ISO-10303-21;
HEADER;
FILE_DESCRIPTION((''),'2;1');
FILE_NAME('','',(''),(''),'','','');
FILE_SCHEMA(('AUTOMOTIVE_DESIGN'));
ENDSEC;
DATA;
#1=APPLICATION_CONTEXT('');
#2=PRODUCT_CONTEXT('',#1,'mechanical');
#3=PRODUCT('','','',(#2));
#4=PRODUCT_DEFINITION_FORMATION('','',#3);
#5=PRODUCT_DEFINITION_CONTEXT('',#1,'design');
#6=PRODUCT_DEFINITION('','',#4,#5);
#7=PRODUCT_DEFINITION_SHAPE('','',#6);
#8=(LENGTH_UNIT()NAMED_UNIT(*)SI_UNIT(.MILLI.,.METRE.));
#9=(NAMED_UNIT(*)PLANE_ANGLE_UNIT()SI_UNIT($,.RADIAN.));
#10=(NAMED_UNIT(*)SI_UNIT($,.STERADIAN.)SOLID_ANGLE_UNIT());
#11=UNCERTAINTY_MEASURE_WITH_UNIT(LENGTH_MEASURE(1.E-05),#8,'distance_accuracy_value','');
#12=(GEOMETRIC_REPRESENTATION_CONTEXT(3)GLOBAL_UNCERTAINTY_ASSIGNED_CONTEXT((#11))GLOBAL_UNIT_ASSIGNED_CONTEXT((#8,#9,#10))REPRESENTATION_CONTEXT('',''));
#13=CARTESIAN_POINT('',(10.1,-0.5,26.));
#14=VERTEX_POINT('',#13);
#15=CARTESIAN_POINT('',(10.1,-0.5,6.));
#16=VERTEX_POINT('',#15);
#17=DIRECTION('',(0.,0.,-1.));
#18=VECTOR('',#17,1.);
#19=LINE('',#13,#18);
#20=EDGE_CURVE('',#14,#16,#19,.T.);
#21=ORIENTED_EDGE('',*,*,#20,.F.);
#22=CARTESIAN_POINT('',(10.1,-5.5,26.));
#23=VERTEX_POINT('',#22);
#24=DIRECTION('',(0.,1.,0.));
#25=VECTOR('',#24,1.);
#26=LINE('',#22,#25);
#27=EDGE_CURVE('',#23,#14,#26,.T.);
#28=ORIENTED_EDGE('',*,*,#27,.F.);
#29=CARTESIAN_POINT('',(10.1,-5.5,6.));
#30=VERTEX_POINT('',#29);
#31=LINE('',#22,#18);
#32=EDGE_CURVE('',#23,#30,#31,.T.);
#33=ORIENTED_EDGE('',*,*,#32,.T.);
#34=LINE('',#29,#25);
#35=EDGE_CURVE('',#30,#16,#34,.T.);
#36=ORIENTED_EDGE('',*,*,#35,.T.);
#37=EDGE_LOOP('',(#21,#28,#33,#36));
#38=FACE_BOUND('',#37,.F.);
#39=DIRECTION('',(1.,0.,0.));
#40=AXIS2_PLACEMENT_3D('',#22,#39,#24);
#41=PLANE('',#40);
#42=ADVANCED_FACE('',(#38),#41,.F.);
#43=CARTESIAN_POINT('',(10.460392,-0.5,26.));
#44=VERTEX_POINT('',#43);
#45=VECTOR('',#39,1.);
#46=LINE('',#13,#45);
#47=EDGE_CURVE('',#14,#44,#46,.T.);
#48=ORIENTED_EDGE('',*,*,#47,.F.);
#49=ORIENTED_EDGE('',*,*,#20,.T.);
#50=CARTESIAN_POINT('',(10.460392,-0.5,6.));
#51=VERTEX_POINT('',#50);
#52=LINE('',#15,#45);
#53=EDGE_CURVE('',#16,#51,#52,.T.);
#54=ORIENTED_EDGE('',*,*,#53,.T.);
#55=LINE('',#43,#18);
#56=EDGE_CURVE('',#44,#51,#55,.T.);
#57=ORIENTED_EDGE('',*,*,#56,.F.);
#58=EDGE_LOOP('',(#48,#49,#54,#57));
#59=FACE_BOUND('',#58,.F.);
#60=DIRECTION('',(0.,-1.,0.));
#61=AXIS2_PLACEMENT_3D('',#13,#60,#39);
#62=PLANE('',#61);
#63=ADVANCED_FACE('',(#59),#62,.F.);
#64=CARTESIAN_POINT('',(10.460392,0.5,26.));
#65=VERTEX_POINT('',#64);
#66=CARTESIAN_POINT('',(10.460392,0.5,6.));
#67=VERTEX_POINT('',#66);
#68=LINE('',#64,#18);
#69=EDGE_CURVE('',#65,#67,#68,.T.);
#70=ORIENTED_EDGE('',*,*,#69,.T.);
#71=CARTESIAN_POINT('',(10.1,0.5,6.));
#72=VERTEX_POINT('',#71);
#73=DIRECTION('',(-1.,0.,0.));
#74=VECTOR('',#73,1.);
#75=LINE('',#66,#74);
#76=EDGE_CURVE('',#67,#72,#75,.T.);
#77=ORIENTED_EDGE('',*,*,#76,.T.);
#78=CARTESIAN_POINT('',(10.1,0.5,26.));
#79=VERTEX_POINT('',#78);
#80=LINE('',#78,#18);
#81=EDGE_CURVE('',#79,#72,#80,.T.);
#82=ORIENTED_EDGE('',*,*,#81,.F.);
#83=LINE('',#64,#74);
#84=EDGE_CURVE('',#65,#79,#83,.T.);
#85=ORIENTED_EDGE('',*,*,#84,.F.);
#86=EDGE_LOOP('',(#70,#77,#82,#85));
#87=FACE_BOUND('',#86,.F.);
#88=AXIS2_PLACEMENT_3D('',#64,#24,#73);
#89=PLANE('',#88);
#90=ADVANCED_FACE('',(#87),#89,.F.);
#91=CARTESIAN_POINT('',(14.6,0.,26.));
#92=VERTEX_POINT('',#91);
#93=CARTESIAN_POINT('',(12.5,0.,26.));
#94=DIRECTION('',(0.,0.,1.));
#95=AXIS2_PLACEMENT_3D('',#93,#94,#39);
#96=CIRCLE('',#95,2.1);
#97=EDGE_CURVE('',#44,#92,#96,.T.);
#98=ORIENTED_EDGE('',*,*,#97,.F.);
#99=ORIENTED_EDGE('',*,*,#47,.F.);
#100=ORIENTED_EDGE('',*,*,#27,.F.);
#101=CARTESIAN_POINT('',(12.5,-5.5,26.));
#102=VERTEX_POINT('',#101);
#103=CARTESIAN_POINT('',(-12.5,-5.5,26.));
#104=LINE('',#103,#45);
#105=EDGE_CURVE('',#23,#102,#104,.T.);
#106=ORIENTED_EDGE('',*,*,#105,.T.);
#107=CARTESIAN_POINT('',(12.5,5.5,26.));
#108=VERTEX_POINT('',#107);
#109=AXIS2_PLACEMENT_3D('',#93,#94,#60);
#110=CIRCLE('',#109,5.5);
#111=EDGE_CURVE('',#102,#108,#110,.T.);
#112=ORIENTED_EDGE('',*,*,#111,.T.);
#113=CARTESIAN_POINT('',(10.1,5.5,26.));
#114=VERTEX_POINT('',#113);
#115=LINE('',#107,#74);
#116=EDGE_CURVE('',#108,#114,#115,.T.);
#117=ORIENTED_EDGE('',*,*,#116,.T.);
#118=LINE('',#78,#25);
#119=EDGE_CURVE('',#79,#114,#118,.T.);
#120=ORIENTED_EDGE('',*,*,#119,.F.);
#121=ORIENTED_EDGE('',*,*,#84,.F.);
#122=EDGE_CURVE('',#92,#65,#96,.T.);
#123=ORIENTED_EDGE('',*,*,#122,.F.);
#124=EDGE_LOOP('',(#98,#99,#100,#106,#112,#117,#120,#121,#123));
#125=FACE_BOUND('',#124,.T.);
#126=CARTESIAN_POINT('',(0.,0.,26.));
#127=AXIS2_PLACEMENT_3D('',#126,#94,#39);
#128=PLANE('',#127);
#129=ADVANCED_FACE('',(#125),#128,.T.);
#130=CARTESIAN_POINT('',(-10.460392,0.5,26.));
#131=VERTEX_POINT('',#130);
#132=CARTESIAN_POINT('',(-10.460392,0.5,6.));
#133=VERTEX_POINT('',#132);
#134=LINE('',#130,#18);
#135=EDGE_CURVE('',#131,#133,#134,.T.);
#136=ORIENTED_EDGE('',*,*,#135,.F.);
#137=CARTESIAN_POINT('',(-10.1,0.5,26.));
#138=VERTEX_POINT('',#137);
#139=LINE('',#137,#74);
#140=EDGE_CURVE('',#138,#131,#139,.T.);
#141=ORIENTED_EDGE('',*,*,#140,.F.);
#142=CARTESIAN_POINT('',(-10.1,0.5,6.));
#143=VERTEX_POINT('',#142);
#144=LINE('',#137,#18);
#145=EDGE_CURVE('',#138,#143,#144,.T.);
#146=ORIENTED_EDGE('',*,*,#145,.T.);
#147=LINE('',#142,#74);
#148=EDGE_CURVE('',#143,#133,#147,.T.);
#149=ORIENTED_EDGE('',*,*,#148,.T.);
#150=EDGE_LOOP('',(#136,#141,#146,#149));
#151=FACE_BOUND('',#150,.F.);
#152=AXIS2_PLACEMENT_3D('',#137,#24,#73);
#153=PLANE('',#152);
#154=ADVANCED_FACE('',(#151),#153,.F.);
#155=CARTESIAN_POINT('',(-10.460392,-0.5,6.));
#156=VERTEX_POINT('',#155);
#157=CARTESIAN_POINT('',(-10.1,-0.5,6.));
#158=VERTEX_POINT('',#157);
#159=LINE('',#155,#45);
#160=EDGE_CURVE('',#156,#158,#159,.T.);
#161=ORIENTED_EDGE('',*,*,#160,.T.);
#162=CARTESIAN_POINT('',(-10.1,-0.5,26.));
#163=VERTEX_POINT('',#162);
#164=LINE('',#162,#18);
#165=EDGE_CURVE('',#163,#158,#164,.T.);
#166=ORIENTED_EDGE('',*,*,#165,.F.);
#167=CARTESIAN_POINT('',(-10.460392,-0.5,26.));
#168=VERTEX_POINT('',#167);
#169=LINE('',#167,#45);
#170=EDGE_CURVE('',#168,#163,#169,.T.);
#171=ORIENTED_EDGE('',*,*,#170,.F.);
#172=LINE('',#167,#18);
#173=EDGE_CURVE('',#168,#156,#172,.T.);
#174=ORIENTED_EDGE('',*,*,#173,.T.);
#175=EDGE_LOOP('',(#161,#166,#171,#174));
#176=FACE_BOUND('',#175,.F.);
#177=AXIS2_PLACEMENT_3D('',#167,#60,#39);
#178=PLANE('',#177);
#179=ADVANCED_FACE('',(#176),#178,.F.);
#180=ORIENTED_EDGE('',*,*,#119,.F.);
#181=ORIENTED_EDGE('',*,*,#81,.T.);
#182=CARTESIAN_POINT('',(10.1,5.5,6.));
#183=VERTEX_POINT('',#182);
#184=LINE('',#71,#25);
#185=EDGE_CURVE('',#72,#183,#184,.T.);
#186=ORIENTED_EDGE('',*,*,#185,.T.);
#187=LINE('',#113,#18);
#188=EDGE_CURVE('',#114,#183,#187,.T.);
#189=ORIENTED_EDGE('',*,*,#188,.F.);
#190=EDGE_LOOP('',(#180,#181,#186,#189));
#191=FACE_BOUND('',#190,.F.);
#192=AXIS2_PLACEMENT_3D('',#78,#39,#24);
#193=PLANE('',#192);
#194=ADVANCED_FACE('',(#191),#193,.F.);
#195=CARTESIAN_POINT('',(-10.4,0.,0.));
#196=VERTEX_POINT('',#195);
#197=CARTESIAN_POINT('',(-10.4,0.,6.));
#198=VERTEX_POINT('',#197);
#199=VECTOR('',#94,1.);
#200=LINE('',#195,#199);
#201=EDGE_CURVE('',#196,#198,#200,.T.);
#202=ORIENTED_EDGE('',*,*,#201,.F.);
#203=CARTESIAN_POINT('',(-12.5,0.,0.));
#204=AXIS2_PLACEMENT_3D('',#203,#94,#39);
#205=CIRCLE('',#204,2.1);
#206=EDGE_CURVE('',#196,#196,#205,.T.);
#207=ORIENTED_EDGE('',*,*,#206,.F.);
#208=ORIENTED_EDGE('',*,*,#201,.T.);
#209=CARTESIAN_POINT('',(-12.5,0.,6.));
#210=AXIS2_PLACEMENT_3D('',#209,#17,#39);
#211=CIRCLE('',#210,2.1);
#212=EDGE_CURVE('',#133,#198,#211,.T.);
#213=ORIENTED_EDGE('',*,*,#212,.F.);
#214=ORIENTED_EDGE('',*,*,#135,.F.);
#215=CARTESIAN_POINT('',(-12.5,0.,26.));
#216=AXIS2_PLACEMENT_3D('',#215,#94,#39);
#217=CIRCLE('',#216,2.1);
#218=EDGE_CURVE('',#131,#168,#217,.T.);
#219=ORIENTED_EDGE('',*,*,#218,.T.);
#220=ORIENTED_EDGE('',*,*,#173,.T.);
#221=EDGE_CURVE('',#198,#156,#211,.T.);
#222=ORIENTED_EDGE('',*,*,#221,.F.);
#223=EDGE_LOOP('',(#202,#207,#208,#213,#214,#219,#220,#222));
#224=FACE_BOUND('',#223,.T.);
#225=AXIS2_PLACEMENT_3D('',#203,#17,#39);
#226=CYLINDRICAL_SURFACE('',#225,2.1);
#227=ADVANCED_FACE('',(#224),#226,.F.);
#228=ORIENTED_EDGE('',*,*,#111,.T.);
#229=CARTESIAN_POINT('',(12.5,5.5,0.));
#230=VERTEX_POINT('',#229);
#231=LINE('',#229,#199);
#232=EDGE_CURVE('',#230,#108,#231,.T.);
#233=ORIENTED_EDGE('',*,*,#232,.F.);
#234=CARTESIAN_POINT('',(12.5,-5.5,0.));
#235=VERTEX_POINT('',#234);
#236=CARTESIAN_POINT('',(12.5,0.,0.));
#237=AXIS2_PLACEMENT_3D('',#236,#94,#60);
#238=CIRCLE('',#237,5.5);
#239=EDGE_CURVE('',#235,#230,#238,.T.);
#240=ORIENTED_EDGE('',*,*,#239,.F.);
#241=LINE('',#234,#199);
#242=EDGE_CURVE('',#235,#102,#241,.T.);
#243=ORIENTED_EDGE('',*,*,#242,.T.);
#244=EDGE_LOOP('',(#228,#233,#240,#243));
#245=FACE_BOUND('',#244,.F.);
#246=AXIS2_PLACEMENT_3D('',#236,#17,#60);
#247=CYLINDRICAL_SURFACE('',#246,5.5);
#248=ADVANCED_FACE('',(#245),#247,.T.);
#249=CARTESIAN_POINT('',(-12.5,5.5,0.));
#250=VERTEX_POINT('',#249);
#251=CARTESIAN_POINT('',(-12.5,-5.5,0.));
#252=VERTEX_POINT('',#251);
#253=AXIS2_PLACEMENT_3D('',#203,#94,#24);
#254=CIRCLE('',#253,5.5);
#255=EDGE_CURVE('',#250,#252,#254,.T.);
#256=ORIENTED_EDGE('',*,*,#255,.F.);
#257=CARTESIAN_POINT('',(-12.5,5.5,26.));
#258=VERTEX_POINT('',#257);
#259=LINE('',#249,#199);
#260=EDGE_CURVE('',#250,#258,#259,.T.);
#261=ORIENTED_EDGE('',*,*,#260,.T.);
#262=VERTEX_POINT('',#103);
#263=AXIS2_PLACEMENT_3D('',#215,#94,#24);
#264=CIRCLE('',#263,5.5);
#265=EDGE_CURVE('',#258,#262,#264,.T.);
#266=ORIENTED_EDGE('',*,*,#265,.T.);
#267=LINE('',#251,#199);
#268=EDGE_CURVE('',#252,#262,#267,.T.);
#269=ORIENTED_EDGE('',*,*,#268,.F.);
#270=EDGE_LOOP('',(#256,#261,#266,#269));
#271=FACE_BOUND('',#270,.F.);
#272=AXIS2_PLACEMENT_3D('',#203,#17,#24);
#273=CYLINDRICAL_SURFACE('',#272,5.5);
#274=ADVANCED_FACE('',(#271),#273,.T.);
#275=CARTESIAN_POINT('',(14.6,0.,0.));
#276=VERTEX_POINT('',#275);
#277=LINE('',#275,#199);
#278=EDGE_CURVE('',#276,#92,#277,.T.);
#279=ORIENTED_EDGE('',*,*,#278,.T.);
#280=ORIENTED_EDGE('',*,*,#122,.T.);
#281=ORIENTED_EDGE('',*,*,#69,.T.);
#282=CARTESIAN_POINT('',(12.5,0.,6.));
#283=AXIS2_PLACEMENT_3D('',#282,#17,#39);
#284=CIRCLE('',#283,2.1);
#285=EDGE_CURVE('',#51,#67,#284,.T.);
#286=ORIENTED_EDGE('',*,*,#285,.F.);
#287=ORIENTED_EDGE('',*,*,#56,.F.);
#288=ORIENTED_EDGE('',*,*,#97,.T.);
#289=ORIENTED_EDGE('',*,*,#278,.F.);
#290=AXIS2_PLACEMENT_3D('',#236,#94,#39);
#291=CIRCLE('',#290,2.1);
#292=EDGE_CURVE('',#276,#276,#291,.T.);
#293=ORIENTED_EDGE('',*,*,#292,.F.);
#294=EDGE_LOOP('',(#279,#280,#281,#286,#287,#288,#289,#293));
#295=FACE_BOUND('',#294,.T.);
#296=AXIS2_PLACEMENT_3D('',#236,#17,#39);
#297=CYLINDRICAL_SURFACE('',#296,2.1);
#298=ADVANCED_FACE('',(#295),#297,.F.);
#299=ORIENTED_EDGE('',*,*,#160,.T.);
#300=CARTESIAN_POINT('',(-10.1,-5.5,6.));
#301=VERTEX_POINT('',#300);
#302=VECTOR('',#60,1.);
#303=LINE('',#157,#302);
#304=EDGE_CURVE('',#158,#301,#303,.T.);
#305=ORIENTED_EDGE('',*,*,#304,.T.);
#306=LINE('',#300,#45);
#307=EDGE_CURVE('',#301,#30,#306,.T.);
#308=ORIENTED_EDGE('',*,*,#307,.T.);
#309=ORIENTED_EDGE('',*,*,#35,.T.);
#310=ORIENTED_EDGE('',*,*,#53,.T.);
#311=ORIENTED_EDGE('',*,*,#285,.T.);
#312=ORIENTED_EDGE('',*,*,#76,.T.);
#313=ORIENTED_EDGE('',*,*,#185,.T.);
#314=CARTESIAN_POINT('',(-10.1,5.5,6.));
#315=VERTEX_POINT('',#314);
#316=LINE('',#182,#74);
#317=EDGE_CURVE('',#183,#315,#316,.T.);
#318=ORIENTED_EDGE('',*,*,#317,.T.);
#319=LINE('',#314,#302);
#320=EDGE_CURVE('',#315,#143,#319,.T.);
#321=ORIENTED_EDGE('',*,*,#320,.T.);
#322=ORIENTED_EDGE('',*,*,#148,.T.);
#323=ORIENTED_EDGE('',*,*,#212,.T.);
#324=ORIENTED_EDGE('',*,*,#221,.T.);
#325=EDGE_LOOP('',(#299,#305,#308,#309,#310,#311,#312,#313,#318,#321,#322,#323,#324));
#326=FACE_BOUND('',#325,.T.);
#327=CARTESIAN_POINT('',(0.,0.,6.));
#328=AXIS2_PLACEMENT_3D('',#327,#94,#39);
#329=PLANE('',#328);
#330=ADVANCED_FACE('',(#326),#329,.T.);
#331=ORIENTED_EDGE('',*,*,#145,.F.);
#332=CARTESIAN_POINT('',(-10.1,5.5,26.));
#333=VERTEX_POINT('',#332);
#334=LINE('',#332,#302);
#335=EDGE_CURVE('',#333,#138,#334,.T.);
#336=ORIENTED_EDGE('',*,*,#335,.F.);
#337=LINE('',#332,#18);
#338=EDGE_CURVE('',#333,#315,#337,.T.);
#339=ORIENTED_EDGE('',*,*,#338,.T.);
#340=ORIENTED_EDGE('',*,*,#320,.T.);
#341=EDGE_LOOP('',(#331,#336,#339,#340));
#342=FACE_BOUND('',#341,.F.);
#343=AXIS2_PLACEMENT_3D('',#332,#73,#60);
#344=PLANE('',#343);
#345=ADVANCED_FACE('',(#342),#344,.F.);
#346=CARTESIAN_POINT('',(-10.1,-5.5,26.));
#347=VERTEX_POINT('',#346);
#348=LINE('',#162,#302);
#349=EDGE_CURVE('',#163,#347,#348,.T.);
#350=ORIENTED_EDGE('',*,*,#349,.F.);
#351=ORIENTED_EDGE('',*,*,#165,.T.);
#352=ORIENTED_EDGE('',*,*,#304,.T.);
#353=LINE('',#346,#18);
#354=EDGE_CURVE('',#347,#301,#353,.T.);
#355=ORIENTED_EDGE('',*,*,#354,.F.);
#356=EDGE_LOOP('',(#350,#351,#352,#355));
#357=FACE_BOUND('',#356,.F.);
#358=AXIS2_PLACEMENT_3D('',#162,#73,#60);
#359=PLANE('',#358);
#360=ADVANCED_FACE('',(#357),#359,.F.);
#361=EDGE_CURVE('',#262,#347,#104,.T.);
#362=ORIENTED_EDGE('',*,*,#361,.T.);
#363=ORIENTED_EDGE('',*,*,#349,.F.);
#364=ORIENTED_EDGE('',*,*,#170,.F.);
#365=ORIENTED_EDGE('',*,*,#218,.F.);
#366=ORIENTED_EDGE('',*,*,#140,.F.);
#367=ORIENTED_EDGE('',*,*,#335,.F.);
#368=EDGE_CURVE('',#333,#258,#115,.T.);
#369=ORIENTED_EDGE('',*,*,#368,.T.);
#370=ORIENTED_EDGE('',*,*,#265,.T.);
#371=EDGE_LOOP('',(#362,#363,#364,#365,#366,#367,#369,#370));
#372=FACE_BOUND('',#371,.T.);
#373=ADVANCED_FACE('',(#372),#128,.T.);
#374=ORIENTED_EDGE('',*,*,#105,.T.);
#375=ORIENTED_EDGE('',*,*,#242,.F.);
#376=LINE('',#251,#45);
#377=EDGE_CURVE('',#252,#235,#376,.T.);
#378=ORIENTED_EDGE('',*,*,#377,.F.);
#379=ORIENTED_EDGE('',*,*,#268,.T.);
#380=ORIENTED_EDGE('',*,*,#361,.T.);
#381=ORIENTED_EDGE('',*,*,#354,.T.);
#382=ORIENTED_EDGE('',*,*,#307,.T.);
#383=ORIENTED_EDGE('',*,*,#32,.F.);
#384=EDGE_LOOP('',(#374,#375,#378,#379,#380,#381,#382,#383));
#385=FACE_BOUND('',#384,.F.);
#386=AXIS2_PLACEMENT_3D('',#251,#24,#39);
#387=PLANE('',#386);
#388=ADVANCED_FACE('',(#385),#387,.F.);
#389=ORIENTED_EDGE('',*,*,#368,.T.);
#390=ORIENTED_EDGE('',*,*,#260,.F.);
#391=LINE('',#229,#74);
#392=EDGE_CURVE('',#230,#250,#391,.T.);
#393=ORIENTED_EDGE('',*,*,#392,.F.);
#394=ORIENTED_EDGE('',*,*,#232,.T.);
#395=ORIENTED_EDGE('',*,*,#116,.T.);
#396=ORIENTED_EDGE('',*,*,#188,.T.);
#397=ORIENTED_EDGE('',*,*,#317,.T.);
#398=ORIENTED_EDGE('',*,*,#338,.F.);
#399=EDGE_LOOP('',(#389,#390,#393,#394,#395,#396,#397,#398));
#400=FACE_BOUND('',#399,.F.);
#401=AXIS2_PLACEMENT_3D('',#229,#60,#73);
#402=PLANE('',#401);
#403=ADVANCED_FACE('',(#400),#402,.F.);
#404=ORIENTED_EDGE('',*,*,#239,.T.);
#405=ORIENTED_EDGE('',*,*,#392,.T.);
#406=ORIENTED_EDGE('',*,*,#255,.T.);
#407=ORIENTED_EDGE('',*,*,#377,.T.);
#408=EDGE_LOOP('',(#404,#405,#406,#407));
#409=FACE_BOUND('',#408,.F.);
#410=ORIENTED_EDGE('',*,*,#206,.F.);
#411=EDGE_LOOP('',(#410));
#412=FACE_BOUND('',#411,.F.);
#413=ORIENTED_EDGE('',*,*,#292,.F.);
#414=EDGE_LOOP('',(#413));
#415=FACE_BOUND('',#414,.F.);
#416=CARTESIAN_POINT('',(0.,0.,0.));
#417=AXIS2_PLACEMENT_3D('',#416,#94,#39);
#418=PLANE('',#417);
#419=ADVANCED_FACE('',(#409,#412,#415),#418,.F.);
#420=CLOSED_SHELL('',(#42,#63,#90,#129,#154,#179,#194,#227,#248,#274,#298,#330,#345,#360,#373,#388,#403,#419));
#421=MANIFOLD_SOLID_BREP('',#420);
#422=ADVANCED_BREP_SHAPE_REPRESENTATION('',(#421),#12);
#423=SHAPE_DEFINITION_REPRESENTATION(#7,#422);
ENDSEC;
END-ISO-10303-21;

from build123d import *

# Parameters (mm, degrees)
F0_R     = 2.1
F1_DEPTH = 26
F3_DEPTH = 20


with BuildPart() as f1:
    # F0 (on Top) → F1 (new body)
    with BuildSketch(Plane.XY):
        with BuildLine():
            ThreePointArc((-12.5, 5.5), (-18, 0), (-12.5, -5.5))
            Line((-12.5, -5.5), (12.5, -5.5))
            ThreePointArc((12.5, -5.5), (18, 0), (12.5, 5.5))
            Line((12.5, 5.5), (-12.5, 5.5))
        make_face()
        with Locations((-12.5, 0)):
            Circle(F0_R, mode=Mode.SUBTRACT)
        with Locations((12.5, 0)):
            Circle(F0_R, mode=Mode.SUBTRACT)
    extrude(amount=F1_DEPTH)

    # F2 (on face) → F3 (cut)
    with BuildSketch(Plane.XY.offset(26)):
        Polygon((10.1, 5.5), (-10.1, 5.5), (-10.1, 0.5), (-10.460392, 0.5), (-10.460392, -0.5), (-10.1, -0.5), (-10.1, -5.5), (10.1, -5.5), (10.1, -0.5), (10.460392, -0.5), (10.460392, 0.5), (10.1, 0.5), align=None)
    extrude(amount=-F3_DEPTH, mode=Mode.SUBTRACT)


solid = f1.part
